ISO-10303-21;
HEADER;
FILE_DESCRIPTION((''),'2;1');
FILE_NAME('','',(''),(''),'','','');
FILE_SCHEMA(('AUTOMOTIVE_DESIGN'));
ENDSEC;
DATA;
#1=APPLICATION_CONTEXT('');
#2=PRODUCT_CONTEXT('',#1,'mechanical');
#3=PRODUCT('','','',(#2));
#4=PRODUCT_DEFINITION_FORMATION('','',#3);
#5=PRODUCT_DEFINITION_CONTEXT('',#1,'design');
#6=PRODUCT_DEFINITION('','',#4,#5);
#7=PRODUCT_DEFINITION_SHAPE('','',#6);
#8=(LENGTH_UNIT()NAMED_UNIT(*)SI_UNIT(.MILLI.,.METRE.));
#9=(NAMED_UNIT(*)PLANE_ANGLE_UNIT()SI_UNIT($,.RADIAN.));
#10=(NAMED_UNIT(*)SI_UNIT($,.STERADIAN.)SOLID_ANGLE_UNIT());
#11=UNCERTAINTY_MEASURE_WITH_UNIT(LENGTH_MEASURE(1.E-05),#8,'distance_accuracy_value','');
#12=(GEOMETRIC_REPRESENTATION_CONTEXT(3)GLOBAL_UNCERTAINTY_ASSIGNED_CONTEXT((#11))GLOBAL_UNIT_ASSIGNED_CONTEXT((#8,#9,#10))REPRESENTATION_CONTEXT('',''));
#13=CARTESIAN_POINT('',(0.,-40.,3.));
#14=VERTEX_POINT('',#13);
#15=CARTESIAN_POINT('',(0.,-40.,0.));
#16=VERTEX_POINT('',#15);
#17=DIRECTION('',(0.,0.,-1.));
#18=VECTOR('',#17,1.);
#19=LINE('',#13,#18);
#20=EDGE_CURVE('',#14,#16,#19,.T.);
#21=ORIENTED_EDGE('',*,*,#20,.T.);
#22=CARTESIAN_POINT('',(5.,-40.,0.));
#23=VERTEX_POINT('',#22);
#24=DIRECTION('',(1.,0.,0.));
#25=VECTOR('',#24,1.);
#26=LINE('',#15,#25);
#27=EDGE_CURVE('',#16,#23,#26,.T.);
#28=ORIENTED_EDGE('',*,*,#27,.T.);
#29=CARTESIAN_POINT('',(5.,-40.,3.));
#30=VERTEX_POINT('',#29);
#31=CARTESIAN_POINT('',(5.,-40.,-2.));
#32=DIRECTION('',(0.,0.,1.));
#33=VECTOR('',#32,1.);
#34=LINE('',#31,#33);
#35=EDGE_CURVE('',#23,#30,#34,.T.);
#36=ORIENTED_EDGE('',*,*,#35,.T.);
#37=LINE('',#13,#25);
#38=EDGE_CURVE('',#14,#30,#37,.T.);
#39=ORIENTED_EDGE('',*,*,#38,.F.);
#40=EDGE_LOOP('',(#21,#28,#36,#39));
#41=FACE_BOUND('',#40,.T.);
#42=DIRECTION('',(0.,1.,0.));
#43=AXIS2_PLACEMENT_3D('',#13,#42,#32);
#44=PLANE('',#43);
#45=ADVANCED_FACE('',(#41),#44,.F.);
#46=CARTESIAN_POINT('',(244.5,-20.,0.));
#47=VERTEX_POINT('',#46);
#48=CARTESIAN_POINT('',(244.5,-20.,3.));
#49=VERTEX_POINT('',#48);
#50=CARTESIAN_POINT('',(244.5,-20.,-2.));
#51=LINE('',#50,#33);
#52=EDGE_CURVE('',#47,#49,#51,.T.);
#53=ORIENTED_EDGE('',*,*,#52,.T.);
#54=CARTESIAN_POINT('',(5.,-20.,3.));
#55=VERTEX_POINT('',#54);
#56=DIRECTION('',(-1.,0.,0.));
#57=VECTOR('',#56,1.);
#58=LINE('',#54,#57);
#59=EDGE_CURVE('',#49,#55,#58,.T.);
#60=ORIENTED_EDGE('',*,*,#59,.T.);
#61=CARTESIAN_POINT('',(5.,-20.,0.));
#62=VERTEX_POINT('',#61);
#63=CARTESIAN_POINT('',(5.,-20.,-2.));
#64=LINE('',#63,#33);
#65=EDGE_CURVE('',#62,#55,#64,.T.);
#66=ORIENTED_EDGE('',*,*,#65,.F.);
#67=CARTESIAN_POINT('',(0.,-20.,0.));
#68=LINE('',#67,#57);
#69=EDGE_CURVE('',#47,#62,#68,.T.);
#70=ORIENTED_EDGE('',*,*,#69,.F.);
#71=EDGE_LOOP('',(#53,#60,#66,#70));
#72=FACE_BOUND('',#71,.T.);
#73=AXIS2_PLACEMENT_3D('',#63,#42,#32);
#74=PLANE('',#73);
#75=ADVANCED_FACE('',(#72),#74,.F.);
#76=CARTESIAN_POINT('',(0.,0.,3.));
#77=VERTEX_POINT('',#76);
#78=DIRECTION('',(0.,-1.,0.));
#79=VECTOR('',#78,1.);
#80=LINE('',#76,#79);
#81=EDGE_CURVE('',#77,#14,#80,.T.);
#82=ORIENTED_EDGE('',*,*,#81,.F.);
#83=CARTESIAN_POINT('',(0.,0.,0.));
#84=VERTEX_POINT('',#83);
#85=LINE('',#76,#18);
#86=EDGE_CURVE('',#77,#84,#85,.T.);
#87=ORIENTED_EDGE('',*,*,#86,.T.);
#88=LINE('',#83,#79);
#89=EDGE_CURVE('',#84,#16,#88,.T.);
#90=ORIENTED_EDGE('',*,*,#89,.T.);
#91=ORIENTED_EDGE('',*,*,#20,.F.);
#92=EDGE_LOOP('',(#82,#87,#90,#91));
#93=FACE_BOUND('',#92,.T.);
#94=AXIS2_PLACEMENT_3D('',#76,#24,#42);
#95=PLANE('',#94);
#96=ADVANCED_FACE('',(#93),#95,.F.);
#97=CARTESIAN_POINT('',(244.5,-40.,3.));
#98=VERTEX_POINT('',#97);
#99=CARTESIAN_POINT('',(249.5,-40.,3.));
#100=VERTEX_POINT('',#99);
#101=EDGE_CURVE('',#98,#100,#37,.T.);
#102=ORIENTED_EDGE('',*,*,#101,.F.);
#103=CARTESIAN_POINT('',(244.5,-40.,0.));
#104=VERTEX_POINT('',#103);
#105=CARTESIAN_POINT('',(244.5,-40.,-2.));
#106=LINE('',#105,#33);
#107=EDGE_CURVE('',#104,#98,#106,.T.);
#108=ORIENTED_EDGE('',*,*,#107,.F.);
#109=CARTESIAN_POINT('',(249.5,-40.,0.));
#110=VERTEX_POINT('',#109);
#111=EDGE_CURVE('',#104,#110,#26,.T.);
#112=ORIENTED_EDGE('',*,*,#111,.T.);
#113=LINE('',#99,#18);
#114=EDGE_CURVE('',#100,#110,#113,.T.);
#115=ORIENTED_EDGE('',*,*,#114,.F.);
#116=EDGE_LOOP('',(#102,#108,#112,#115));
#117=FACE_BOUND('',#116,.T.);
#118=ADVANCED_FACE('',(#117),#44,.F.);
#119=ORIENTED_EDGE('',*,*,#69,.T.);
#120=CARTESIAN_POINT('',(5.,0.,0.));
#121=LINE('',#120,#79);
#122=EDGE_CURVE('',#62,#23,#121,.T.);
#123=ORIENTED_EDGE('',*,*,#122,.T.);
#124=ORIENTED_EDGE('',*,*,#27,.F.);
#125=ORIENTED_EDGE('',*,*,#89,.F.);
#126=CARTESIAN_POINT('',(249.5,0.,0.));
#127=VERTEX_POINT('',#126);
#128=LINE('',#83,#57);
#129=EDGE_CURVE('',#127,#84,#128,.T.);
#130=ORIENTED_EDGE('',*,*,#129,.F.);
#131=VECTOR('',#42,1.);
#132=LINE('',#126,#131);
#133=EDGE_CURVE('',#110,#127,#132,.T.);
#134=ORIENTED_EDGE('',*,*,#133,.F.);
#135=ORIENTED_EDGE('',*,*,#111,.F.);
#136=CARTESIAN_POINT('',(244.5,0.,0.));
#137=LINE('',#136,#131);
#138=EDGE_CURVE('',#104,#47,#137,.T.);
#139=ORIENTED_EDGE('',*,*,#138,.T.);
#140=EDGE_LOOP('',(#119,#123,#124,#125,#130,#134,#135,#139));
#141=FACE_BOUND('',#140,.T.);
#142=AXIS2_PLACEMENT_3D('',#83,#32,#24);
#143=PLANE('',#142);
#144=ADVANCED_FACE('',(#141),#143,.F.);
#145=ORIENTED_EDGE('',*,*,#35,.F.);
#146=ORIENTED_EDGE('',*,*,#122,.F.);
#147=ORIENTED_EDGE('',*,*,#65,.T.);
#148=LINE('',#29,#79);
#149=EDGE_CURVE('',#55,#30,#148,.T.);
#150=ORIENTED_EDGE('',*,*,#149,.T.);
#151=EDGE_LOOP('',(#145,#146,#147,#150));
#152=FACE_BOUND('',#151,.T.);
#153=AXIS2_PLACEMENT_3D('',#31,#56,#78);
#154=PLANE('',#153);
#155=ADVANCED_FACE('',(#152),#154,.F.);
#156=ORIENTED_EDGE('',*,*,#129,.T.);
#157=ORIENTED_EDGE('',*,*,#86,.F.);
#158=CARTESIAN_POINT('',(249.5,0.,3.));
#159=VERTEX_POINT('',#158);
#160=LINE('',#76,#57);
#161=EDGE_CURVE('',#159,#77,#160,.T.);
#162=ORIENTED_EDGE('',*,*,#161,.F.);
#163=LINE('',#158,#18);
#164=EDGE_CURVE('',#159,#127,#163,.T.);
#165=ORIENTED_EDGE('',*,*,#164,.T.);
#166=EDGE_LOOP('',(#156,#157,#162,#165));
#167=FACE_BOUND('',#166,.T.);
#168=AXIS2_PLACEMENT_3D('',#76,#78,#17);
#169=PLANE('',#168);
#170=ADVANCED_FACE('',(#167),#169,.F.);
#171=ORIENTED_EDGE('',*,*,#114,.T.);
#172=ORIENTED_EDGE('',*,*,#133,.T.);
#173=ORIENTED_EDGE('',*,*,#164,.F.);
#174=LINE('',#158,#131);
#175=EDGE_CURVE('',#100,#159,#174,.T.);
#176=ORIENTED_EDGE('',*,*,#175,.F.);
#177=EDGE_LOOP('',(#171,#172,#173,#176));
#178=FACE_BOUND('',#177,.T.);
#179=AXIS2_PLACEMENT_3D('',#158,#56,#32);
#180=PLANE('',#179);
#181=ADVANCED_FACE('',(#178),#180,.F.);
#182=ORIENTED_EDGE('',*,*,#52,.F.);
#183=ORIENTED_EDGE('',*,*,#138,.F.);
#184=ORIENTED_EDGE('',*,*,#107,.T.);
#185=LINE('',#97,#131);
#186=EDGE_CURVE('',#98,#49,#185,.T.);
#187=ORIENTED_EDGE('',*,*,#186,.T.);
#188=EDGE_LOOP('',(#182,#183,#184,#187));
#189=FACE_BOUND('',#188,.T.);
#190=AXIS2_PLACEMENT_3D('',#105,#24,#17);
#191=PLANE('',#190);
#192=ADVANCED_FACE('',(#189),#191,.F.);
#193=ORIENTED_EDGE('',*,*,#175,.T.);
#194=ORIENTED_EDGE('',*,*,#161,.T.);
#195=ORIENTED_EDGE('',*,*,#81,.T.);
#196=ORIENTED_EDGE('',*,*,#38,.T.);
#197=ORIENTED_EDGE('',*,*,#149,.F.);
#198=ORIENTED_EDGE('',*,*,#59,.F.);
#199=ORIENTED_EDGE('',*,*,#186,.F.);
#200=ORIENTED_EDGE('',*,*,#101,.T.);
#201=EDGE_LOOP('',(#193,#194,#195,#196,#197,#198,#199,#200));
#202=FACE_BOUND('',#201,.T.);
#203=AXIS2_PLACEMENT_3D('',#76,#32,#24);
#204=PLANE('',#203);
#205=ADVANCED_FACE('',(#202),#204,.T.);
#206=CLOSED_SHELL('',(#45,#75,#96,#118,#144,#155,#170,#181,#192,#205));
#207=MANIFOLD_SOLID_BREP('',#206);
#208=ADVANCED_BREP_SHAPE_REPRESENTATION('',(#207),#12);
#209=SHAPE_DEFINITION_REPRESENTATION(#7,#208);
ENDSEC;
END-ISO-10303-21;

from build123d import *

# Parameters (mm, degrees)
SKETCH1_W           = 249.5
SKETCH1_H           = 40
BOSS_EXTRUDE1_DEPTH = 3
SKETCH2_W           = 239.5
SKETCH2_H           = 20
CUT_EXTRUDE1_DEPTH  = 5


with BuildPart() as part:
    # Sketch1 → Boss-Extrude1 (new body)
    with BuildSketch(Plane.XY):
        with Locations((124.75, -20)):
            Rectangle(SKETCH1_W, SKETCH1_H)
    extrude(amount=BOSS_EXTRUDE1_DEPTH)

    # Sketch2 → Cut-Extrude1 (cut)
    with BuildSketch(Plane.XY.offset(3)):
        with Locations((124.75, -30)):
            Rectangle(SKETCH2_W, SKETCH2_H)
    extrude(amount=-CUT_EXTRUDE1_DEPTH, mode=Mode.SUBTRACT)


solid = part.part
